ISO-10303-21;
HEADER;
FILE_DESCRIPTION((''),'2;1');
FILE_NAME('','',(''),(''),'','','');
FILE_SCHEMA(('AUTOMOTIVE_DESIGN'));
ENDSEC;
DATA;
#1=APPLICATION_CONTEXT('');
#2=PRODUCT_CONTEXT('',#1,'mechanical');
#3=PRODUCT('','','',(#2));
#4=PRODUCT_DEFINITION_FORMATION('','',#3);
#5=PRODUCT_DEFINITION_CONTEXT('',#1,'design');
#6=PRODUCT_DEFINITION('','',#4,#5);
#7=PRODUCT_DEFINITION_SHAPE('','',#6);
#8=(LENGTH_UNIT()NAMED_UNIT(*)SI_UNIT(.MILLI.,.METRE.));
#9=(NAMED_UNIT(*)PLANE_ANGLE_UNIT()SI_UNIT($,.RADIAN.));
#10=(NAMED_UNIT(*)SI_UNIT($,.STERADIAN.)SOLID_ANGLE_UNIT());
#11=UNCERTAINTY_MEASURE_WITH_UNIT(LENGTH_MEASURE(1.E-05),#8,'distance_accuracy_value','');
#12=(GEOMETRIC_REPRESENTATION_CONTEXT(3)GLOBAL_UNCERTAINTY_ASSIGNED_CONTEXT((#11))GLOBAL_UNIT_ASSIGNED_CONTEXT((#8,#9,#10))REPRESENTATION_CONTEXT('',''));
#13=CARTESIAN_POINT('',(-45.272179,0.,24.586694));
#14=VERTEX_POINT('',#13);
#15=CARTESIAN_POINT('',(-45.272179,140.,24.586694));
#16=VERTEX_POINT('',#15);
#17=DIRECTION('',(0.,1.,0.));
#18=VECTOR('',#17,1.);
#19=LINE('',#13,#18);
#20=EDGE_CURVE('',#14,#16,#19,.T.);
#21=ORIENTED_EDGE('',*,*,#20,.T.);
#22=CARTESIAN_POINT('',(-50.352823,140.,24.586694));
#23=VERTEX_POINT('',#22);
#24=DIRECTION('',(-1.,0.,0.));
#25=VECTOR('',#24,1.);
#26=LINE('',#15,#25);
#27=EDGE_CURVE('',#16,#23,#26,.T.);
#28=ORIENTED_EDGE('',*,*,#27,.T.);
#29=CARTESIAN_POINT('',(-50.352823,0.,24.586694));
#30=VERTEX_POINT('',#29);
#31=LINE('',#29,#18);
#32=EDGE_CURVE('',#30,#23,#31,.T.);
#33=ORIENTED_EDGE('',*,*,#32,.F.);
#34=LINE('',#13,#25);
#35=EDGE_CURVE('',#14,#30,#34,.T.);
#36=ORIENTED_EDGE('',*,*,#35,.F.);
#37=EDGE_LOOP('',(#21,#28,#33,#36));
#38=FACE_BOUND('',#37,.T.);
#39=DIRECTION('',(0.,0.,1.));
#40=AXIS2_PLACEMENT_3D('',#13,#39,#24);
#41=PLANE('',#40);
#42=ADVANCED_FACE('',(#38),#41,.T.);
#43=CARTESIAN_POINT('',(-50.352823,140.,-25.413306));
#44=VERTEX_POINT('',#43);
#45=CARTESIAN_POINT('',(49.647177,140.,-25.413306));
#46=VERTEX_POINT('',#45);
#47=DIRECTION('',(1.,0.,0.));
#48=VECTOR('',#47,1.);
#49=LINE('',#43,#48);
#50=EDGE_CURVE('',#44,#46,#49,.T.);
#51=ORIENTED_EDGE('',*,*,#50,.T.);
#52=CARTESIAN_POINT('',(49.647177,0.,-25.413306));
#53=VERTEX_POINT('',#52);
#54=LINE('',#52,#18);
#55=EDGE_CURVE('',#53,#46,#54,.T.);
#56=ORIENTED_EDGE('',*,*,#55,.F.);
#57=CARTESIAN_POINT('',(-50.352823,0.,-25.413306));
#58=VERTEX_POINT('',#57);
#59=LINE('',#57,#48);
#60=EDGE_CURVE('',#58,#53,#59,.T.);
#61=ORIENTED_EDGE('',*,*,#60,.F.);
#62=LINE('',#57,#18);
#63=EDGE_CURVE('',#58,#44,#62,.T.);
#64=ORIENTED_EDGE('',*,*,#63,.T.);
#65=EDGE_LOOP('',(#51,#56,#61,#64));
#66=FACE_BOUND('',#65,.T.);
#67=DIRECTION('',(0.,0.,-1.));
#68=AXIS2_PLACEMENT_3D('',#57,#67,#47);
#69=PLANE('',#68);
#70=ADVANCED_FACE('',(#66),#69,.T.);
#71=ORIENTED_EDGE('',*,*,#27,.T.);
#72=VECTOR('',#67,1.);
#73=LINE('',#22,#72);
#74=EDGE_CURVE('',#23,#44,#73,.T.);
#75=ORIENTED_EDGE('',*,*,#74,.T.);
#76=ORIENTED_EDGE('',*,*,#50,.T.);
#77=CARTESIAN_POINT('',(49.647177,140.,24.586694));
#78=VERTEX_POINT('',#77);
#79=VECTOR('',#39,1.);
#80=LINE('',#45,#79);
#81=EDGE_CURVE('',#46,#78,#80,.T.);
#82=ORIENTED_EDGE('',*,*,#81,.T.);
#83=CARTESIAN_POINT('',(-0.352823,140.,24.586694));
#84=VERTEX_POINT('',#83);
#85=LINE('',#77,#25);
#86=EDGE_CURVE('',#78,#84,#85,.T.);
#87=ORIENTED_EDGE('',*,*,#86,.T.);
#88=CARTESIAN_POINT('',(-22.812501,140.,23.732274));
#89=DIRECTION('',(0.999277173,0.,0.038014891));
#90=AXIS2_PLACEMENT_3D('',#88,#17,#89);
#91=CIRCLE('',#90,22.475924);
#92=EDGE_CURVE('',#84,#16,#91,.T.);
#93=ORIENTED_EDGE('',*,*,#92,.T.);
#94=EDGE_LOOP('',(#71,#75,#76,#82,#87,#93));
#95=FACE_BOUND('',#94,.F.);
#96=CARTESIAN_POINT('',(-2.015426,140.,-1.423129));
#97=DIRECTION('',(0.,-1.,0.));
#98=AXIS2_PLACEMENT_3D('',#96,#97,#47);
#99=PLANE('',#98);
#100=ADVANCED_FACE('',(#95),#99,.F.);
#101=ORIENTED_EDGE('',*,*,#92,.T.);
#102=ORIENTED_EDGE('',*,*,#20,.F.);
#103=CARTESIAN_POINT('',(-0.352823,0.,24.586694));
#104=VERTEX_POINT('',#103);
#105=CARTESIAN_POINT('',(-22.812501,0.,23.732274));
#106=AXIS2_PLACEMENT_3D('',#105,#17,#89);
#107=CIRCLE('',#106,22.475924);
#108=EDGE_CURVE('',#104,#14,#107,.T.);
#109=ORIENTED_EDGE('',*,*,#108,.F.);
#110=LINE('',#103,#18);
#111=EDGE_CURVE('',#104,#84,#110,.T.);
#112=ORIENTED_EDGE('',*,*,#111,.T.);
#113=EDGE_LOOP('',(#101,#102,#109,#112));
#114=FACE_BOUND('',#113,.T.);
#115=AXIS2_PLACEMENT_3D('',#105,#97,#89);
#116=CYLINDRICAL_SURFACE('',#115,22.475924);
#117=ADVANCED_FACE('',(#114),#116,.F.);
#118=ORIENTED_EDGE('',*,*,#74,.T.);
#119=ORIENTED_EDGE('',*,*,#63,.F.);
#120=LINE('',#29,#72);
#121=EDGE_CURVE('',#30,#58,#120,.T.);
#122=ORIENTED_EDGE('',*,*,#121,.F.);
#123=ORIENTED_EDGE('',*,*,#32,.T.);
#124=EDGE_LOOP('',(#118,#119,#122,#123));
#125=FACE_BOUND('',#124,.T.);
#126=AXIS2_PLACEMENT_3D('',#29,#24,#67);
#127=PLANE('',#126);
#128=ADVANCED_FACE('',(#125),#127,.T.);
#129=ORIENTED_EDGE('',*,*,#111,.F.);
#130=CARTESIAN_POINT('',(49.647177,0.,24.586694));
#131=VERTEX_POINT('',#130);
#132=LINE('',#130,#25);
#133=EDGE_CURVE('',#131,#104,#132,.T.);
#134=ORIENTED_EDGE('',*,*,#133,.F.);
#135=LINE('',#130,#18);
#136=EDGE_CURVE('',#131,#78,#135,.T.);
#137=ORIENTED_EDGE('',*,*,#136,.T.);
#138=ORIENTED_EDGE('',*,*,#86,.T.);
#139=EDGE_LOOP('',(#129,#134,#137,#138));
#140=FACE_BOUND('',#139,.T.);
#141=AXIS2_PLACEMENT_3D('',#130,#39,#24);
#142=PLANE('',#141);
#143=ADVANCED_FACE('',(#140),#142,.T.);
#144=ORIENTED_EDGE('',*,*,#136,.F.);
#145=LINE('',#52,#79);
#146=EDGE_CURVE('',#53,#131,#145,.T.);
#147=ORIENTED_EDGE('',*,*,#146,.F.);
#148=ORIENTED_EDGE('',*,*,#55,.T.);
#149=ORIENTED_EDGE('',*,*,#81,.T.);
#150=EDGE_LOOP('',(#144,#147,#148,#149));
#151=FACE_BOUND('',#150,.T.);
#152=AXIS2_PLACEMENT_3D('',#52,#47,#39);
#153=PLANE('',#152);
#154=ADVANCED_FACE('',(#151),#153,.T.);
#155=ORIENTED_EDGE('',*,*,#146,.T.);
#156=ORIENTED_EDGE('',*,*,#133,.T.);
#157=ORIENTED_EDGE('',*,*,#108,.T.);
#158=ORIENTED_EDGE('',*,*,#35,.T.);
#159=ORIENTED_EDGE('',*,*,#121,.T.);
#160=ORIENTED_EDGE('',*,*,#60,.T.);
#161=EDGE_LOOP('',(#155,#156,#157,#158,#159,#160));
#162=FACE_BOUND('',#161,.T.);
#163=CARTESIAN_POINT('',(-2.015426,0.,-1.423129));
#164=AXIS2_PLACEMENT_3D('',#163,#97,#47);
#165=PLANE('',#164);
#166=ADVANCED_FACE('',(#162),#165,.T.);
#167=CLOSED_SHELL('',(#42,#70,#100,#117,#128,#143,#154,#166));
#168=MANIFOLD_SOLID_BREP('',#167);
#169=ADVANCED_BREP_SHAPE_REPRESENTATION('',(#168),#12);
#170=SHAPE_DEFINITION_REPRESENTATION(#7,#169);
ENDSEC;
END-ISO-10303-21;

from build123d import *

# Parameters (mm, degrees)
F1_DEPTH = 140


with BuildPart() as f1:
    # F0 (on Front) → F1 (new body)
    with BuildSketch(Plane.XZ):
        with BuildLine():
            Line((-45.2721789479, 24.5866943151), (-50.3528229892, 24.5866943151))
            Line((-50.3528229892, 24.5866943151), (-50.3528229892, -25.4133056849))
            Line((-50.3528229892, -25.4133056849), (49.6471770108, -25.4133056849))
            Line((49.6471770108, -25.4133056849), (49.6471770108, 24.5866943151))
            Line((49.6471770108, 24.5866943151), (-0.3528229892, 24.5866943151))
            ThreePointArc((-0.3528229892, 24.5866943151), (-22.8125009686, 1.2563503091), (-45.2721789479, 24.5866943151))
        make_face()
    extrude(amount=-F1_DEPTH)


solid = f1.part
